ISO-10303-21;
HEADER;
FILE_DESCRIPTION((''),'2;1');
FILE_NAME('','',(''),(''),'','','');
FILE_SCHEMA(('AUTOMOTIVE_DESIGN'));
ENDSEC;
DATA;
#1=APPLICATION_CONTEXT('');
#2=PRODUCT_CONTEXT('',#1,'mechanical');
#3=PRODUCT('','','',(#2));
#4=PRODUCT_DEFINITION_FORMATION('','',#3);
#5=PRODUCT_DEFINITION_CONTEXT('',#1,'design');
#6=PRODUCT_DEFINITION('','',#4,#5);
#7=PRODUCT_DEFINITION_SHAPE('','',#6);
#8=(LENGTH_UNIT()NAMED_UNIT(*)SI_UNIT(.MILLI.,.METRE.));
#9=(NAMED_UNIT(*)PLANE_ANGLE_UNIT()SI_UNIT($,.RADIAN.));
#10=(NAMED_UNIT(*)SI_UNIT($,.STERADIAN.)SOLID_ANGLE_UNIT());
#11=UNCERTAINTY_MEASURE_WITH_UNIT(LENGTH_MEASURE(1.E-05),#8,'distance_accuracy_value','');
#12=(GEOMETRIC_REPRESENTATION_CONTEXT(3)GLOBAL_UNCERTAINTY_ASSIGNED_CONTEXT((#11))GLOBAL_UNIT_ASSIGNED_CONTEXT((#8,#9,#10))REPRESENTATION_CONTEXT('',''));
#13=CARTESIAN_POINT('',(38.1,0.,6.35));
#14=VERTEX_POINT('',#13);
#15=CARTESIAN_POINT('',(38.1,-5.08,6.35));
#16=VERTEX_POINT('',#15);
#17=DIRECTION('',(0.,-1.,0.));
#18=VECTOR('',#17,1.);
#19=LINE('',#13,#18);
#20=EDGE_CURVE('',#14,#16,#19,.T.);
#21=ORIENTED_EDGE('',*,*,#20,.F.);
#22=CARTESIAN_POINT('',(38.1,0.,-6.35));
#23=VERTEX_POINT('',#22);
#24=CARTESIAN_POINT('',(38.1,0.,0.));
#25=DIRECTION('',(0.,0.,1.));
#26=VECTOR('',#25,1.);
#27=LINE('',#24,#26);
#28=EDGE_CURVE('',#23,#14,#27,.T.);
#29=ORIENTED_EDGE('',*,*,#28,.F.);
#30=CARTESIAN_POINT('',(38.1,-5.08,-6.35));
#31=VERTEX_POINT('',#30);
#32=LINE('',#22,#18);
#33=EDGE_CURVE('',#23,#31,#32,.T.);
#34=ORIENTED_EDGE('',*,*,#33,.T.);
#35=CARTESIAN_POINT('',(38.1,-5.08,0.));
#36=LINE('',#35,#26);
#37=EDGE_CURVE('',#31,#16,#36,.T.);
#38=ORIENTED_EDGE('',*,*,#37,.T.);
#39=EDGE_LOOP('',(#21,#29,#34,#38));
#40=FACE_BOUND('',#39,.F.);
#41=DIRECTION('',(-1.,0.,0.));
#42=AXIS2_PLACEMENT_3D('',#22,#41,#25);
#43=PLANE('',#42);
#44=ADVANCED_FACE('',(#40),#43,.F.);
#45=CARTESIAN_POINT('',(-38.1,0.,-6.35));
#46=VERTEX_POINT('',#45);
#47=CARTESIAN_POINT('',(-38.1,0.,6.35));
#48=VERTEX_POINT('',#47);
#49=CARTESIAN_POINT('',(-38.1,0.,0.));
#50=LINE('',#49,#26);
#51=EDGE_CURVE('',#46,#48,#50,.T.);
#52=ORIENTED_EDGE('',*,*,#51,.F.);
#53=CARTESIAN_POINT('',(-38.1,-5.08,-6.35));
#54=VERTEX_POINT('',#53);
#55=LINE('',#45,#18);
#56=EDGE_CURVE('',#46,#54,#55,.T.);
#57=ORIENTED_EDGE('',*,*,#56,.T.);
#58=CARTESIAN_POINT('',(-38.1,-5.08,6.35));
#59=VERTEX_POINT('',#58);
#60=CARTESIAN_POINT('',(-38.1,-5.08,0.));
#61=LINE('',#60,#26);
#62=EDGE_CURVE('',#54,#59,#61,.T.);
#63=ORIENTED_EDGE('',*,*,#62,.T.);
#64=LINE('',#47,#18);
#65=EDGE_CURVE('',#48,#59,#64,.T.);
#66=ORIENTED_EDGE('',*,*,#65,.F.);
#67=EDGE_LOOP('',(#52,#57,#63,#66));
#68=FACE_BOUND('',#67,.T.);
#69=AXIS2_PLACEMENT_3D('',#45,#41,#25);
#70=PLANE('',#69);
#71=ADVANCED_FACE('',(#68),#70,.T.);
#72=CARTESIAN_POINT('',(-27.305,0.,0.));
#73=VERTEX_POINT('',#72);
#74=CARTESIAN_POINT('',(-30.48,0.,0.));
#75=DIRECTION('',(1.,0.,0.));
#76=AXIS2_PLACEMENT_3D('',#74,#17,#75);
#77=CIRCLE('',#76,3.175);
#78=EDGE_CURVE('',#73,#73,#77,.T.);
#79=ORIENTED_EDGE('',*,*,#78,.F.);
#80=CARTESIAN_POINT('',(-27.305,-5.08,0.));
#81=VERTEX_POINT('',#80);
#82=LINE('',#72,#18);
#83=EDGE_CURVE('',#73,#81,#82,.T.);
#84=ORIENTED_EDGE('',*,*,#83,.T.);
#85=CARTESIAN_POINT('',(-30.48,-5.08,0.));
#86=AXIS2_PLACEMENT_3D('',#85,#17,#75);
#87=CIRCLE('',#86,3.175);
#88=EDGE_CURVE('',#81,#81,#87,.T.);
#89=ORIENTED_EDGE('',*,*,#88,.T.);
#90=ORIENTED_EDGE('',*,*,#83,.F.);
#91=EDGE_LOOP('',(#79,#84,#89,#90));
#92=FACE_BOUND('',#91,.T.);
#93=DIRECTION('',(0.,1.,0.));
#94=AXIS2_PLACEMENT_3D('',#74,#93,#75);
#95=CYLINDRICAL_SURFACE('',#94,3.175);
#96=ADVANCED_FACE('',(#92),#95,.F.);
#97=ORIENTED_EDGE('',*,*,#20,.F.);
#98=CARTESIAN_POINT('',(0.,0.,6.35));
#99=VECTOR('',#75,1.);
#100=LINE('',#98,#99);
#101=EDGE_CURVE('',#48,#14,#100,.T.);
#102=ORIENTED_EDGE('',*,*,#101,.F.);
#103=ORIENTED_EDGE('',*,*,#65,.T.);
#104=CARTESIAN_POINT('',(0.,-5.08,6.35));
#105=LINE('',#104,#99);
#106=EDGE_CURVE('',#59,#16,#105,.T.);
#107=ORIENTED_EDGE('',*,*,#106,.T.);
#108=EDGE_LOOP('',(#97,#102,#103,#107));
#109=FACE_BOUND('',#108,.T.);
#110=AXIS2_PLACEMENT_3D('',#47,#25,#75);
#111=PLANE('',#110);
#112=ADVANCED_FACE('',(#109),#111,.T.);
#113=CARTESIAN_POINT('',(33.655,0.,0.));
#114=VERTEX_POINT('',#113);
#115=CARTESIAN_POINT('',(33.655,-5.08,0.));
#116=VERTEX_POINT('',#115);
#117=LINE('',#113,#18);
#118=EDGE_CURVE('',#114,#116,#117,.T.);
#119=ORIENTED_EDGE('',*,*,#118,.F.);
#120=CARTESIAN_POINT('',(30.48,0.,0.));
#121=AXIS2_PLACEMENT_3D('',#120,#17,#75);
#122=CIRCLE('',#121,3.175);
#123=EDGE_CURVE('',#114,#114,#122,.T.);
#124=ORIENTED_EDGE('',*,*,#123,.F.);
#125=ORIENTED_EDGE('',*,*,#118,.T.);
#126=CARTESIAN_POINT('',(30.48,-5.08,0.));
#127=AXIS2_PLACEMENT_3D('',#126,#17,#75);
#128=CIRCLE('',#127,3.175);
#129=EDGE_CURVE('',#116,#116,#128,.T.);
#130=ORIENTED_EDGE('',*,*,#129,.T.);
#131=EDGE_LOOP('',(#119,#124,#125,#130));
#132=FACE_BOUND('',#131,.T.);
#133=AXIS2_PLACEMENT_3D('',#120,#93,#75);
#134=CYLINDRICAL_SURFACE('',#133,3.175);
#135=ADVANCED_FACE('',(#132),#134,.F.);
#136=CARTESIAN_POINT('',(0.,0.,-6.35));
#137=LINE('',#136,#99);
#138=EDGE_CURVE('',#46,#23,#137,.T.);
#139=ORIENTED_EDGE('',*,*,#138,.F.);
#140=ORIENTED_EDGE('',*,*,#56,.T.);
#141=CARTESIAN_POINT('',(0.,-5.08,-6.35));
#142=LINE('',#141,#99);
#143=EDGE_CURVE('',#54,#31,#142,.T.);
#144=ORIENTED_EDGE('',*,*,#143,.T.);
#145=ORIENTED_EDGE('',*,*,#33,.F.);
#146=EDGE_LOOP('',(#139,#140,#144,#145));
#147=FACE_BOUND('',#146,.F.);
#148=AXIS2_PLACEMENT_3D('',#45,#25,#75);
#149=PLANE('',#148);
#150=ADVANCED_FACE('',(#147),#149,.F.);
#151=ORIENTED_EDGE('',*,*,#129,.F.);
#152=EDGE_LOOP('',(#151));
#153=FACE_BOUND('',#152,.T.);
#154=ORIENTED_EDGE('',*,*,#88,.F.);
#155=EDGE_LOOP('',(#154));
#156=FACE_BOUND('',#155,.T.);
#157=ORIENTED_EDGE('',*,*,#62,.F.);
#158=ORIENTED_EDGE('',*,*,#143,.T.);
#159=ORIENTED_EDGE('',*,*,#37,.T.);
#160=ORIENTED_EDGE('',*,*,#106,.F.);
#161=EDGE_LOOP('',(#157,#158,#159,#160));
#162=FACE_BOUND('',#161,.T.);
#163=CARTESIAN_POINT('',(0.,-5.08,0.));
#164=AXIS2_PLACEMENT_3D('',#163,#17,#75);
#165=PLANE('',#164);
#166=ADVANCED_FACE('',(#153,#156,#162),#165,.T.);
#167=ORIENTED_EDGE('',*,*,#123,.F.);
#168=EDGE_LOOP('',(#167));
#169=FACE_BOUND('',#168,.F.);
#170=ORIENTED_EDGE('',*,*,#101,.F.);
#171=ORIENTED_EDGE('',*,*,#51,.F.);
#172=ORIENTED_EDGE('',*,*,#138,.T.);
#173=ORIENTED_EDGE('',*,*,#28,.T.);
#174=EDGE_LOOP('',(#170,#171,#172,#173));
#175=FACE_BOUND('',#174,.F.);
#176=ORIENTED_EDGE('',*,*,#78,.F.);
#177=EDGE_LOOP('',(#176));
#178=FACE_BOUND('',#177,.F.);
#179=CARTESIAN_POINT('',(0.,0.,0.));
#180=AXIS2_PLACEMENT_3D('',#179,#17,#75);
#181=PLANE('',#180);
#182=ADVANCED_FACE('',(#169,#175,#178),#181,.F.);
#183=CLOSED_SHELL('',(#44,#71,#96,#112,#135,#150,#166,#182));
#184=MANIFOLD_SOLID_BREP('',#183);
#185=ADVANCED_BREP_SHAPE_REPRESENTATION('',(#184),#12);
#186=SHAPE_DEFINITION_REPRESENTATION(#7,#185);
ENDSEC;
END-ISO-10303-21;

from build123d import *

# Parameters (mm, degrees)
F0_W     = 76.2
F0_H     = 12.7
F0_R     = 3.175
F1_DEPTH = 5.08


with BuildPart() as f1:
    # F0 (on Front) → F1 (new body)
    with BuildSketch(Plane.XZ):
        Rectangle(F0_W, F0_H)
        with Locations((-30.48, 0)):
            Circle(F0_R, mode=Mode.SUBTRACT)
        with Locations((30.48, 0)):
            Circle(F0_R, mode=Mode.SUBTRACT)
    extrude(amount=F1_DEPTH)


solid = f1.part
